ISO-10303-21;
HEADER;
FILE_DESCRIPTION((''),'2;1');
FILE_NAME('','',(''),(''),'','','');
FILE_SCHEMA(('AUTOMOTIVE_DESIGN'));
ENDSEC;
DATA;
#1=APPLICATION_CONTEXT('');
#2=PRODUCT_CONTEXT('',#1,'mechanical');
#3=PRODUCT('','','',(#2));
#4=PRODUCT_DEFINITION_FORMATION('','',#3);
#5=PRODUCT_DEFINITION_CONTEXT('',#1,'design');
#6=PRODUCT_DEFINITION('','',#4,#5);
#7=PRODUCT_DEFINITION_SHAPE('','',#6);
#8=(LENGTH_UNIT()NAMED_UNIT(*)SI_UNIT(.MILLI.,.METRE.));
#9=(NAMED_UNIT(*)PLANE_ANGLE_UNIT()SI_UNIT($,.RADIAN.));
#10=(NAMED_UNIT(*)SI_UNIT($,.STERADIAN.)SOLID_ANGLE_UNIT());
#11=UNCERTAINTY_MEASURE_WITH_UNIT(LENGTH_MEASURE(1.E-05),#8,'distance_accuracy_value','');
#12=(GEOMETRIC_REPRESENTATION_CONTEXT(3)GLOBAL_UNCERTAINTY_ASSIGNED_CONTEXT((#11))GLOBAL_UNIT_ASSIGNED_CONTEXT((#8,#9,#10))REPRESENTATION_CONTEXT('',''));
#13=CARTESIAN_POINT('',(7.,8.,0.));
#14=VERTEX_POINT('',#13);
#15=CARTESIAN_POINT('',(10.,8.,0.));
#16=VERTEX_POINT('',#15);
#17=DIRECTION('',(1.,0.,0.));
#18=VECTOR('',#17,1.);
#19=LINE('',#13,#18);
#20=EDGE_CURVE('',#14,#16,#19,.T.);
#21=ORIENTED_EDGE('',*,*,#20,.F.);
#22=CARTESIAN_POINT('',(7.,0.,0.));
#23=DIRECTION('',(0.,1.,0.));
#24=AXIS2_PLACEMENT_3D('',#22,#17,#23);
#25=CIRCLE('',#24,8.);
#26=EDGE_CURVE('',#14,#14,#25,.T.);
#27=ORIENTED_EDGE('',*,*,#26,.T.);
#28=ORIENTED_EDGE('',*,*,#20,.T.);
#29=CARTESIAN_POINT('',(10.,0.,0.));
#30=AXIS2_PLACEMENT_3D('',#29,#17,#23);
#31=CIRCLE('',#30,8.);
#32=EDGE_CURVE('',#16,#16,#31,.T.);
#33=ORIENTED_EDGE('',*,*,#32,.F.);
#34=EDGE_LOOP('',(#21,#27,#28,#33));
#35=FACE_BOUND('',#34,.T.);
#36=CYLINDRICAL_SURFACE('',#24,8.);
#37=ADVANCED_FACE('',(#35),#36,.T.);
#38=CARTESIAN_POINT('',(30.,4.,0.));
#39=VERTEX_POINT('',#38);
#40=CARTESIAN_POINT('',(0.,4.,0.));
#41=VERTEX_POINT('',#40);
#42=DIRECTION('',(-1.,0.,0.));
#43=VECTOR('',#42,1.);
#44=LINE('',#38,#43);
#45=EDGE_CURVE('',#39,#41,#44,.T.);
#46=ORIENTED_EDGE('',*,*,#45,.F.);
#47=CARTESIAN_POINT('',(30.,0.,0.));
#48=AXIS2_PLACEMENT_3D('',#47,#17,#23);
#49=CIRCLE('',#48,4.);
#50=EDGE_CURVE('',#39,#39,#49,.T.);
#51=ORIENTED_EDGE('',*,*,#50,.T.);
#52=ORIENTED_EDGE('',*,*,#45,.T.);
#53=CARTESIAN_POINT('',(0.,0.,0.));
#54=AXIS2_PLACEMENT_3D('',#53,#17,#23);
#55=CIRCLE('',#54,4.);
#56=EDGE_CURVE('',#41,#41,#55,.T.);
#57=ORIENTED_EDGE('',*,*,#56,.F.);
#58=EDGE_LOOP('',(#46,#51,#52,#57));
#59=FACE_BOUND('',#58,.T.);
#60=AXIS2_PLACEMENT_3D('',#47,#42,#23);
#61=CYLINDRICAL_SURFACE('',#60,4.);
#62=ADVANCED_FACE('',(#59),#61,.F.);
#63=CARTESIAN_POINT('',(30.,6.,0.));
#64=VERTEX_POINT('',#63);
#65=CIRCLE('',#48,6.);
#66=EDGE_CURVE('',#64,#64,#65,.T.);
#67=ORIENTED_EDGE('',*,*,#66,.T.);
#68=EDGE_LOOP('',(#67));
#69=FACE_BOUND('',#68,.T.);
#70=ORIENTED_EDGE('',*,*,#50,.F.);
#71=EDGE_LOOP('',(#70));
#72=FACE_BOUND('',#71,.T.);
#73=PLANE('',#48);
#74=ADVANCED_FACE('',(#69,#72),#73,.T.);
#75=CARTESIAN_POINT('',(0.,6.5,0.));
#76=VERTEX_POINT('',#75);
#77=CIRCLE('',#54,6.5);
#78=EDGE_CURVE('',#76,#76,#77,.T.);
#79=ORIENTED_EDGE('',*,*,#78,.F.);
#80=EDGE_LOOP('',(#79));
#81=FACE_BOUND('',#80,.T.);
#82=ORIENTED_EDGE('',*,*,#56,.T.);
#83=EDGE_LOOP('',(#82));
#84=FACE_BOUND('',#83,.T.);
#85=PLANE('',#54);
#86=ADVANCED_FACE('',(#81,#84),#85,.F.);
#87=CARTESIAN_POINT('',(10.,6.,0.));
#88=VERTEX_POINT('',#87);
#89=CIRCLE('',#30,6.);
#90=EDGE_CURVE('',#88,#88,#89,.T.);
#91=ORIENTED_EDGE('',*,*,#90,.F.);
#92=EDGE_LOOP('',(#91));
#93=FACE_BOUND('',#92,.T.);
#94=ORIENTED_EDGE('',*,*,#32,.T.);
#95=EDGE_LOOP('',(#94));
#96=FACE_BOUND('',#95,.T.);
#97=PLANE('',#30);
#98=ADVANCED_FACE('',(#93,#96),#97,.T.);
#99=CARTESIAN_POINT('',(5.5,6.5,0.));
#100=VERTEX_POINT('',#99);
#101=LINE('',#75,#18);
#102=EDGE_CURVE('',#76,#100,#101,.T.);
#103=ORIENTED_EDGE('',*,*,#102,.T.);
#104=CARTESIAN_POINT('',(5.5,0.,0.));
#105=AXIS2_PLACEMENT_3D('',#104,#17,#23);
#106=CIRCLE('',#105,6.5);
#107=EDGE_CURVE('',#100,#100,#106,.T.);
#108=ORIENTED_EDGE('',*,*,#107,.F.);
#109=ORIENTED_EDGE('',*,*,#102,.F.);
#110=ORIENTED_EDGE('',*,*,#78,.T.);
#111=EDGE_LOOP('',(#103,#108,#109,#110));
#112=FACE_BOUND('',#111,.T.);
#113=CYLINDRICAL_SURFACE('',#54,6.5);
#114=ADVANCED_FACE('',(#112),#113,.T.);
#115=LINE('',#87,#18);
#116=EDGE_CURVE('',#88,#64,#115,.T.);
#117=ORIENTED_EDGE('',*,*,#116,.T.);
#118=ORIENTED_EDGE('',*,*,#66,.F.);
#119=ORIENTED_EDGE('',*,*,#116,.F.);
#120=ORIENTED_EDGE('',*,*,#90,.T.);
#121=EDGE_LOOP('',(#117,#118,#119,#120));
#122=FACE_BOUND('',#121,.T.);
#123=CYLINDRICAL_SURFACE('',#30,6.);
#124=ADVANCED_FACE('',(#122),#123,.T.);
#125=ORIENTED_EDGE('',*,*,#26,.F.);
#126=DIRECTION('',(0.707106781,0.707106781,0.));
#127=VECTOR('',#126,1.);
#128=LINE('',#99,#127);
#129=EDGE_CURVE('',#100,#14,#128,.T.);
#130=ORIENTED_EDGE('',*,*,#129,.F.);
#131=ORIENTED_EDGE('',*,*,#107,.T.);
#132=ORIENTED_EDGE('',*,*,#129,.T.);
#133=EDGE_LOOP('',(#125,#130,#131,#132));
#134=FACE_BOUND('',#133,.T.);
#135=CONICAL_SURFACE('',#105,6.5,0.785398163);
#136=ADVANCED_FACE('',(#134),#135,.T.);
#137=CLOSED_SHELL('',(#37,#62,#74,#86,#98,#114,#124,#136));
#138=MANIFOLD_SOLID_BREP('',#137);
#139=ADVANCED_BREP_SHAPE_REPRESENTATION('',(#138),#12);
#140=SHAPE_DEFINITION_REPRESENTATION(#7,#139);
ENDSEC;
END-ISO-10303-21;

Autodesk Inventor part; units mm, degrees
ref_plane "YZ Plane" through (0, 0, 0) normal (1, 0, 0) x (0, 1, 0)
ref_plane "XZ Plane" through (0, 0, 0) normal (0, 1, 0) x (-1, 0, 0)
ref_plane "XY Plane" through (0, 0, 0) normal (0, 0, 1) x (1, 0, 0)
sketch "Sketch1" plane through (0, 0, 0) normal (0, 0, 1) x (1, 0, 0)
  line L0 (0, 0) -> (33.4625, 0)
  line L1 (0, 4) -> (0, 6.5)
  line L2 (0, 6.5) -> (5.5, 6.5)
  line L3 (5.5, 6.5) -> (7, 8)
  line L4 (7, 8) -> (10, 8)
  line L5 (10, 8) -> (10, 6)
  line L6 (10, 6) -> (30, 6)
  line L7 (30, 6) -> (30, 4)
  line L8 (30, 4) -> (0, 4)
  dimension "d1" = 8
  dimension "d2" = 13
  dimension "d3" = 5.5
  dimension "d4" = 135
  dimension "d5" = 16
  dimension "d6" = 3
  dimension "d7" = 12
  dimension "d8" = 30
revolve "Revolution1" add sketch "Sketch1" angle 360 about axis through (0, 0, 0) along (1, 0, 0)
properties material "Copper"
